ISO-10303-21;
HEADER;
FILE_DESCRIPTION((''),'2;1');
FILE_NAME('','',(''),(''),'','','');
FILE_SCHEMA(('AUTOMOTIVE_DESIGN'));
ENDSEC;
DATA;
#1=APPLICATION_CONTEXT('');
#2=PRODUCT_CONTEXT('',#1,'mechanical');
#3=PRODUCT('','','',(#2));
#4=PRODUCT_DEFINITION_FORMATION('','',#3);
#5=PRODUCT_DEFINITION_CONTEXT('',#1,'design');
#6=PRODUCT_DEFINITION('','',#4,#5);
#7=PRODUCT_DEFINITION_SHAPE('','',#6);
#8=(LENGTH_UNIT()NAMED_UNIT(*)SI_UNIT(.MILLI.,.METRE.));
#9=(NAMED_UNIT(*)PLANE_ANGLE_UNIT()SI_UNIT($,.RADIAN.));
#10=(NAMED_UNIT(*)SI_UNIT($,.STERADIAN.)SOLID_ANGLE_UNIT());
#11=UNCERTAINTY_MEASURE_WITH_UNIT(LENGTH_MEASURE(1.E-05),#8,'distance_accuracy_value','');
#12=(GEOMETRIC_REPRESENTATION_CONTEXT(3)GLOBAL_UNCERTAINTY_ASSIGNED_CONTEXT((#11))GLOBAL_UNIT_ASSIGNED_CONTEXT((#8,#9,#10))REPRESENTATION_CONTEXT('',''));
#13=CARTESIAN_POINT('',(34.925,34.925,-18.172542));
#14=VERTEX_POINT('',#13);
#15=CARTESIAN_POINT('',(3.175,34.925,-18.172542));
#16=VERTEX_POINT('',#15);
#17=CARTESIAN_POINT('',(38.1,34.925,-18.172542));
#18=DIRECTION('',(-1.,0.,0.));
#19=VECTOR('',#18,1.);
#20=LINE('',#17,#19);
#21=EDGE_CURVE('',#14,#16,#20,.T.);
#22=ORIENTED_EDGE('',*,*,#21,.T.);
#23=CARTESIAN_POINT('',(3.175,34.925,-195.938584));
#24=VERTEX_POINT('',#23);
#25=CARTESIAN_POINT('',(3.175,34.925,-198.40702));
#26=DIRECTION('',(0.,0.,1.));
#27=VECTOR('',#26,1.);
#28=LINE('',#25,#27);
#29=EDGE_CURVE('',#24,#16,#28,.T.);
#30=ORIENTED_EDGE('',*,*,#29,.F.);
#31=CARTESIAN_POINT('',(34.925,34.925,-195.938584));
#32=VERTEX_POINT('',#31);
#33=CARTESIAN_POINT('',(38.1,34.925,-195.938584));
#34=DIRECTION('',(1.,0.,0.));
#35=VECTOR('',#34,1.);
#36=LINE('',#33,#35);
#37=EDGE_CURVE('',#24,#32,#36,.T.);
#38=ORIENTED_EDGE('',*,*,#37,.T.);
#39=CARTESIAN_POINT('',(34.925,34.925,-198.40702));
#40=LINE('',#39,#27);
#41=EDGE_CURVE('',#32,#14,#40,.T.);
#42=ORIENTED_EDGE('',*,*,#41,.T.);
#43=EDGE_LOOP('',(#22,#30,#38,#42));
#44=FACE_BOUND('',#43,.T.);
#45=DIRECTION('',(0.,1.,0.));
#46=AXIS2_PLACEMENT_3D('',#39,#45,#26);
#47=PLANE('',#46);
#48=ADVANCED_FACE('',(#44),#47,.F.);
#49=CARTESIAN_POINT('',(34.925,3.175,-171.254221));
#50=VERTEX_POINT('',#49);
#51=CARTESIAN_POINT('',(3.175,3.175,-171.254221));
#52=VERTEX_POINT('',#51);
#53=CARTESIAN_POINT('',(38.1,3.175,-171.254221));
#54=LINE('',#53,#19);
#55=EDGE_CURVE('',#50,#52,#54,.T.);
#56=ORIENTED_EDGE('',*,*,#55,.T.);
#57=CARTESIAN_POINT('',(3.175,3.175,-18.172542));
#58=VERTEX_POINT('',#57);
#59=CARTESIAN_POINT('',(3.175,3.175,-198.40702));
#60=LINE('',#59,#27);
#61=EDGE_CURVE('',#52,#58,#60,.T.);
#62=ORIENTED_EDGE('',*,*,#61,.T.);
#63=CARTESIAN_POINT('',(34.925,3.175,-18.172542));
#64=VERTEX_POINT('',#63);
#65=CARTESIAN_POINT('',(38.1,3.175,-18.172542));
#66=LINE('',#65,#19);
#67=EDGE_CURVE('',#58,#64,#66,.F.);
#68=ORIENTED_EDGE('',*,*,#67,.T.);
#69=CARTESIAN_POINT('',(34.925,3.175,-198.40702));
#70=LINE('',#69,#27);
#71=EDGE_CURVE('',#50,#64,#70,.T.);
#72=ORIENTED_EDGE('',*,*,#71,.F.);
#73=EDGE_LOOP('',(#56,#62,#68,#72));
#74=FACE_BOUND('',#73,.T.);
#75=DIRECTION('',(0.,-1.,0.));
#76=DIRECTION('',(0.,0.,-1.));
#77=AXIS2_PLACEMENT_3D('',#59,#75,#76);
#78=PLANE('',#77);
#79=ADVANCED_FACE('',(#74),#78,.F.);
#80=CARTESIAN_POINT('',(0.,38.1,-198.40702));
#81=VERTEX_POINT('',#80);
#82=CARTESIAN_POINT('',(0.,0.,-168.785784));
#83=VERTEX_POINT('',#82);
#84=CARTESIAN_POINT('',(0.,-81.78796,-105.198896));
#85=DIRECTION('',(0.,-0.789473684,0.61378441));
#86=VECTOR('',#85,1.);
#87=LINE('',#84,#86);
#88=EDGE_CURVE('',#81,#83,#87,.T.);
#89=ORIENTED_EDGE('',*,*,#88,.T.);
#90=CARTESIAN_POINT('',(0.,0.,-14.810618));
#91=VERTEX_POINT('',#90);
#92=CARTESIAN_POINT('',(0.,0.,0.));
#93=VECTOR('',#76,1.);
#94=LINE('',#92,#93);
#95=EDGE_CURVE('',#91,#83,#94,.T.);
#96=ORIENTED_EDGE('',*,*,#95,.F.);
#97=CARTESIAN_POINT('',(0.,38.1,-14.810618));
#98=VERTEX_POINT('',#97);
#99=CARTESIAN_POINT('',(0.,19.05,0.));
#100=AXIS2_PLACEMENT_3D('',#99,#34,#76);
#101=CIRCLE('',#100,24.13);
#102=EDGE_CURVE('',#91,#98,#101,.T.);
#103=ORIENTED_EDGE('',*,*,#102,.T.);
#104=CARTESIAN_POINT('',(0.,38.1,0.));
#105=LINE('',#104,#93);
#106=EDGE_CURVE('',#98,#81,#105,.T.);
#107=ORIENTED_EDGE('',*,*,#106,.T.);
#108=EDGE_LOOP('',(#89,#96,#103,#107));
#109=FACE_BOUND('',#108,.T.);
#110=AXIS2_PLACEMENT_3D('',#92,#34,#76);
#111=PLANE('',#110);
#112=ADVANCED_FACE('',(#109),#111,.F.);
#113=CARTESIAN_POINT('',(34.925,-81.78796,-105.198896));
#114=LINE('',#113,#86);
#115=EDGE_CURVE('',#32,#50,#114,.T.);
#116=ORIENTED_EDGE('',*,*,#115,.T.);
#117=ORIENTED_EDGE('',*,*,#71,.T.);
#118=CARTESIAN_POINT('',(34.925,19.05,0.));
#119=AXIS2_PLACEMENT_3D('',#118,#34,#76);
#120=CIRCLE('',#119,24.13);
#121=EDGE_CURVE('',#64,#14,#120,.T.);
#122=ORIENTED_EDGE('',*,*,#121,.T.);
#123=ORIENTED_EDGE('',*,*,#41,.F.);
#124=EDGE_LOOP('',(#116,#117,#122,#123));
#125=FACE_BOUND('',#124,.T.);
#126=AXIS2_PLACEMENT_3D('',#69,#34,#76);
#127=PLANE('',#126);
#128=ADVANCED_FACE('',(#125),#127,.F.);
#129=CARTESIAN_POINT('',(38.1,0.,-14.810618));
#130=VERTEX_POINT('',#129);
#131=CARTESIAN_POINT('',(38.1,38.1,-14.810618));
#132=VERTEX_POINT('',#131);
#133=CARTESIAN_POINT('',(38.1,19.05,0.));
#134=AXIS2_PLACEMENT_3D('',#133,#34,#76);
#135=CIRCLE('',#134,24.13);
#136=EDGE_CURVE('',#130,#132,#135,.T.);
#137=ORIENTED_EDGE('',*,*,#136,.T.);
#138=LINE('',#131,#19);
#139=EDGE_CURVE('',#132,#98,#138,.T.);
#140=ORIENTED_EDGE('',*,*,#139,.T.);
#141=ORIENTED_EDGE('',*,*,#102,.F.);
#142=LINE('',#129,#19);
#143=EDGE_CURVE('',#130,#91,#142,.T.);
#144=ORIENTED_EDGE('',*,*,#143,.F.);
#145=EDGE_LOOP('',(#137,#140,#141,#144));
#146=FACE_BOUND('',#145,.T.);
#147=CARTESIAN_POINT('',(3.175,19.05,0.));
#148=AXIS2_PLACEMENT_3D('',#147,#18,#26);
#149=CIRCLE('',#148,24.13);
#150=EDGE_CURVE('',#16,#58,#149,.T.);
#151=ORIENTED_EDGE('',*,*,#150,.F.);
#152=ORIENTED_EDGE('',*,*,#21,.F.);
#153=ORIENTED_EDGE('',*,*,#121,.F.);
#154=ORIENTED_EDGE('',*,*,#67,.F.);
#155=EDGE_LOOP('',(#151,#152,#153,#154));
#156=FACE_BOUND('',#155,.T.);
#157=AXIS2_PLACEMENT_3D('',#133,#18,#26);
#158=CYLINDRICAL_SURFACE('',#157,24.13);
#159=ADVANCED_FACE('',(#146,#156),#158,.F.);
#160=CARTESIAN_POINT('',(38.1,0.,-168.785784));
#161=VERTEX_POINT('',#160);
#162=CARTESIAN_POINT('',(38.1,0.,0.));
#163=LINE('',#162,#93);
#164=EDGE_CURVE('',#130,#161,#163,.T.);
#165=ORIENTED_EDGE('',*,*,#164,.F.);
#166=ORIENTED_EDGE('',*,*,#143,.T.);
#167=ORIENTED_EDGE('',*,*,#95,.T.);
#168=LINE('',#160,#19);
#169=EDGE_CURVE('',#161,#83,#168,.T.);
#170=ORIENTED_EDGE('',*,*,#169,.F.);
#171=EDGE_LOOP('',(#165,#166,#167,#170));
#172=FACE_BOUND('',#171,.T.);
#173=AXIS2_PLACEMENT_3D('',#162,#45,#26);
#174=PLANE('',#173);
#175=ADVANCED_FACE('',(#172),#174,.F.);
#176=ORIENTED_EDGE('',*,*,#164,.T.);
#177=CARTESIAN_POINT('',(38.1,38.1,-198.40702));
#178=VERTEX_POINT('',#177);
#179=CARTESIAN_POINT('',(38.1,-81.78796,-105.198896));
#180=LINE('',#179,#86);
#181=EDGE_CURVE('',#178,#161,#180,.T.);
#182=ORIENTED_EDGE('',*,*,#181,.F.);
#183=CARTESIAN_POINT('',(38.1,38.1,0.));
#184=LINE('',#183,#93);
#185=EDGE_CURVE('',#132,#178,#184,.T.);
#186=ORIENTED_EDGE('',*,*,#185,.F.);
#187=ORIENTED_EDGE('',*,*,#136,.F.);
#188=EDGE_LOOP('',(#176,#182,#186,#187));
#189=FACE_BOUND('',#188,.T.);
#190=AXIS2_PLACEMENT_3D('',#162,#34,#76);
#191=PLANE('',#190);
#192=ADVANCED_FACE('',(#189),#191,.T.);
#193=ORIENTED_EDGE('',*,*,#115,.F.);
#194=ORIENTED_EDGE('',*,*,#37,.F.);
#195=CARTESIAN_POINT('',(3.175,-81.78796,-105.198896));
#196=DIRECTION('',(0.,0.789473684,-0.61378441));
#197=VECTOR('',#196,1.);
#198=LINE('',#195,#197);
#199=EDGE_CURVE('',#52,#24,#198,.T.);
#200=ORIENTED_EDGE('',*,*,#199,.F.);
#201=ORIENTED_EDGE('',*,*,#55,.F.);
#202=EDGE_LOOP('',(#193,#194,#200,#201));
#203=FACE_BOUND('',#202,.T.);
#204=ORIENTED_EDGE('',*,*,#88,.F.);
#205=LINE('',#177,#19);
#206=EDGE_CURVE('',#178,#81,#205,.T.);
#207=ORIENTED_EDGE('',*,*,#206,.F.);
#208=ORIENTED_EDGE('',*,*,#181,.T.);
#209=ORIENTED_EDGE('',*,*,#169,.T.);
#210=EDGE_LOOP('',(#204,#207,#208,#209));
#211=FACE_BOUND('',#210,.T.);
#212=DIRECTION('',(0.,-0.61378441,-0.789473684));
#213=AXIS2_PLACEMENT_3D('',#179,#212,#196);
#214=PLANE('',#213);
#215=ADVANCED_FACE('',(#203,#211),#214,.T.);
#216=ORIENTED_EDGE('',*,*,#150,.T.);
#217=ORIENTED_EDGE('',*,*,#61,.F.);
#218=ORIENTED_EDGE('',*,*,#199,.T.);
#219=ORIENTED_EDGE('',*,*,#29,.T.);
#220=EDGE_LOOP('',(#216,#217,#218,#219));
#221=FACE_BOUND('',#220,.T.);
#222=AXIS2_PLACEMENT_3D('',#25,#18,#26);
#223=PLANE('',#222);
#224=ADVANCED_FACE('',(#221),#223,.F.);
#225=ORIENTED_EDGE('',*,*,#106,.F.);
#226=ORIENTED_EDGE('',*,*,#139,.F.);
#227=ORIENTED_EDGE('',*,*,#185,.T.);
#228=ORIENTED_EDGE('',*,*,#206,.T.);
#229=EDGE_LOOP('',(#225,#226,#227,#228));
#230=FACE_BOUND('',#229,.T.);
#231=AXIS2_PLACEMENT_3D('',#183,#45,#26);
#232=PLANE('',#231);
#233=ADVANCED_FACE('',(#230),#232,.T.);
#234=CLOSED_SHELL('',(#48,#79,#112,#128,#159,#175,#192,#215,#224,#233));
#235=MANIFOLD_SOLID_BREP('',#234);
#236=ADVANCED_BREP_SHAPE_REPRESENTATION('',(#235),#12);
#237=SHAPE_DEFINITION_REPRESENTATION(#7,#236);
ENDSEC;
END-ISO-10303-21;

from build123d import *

# Parameters (mm, degrees)
BOSS_EXTRUDE1_DEPTH = 38.1
SKETCH2_W           = 31.75
SKETCH2_H           = 31.75
CUT_EXTRUDE1_DEPTH  = 206.593204132


with BuildPart() as part:
    # Sketch1 → Boss-Extrude1 (new body)
    with BuildSketch(Plane(origin=(0, 0, 0), x_dir=(0, 0, -1), z_dir=(1, 0, 0))):
        with BuildLine():
            Line((168.785784374, 0), (198.40702, 38.1))
            Line((198.40702, 38.1), (14.810617813, 38.1))
            ThreePointArc((14.810617813, 38.1), (21.675298243, 29.653694926), (24.13, 19.05))
            ThreePointArc((24.13, 19.05), (21.675298243, 8.446305074), (14.810617813, 0))
            Line((14.810617813, 0), (168.785784374, 0))
        make_face()
    extrude(amount=BOSS_EXTRUDE1_DEPTH)

    # Sketch2 → Cut-Extrude1 (cut, through all)
    with BuildSketch(Plane.XY):
        with Locations((19.05, 19.05)):
            Rectangle(SKETCH2_W, SKETCH2_H)
    extrude(amount=-CUT_EXTRUDE1_DEPTH, mode=Mode.SUBTRACT)


solid = part.part
